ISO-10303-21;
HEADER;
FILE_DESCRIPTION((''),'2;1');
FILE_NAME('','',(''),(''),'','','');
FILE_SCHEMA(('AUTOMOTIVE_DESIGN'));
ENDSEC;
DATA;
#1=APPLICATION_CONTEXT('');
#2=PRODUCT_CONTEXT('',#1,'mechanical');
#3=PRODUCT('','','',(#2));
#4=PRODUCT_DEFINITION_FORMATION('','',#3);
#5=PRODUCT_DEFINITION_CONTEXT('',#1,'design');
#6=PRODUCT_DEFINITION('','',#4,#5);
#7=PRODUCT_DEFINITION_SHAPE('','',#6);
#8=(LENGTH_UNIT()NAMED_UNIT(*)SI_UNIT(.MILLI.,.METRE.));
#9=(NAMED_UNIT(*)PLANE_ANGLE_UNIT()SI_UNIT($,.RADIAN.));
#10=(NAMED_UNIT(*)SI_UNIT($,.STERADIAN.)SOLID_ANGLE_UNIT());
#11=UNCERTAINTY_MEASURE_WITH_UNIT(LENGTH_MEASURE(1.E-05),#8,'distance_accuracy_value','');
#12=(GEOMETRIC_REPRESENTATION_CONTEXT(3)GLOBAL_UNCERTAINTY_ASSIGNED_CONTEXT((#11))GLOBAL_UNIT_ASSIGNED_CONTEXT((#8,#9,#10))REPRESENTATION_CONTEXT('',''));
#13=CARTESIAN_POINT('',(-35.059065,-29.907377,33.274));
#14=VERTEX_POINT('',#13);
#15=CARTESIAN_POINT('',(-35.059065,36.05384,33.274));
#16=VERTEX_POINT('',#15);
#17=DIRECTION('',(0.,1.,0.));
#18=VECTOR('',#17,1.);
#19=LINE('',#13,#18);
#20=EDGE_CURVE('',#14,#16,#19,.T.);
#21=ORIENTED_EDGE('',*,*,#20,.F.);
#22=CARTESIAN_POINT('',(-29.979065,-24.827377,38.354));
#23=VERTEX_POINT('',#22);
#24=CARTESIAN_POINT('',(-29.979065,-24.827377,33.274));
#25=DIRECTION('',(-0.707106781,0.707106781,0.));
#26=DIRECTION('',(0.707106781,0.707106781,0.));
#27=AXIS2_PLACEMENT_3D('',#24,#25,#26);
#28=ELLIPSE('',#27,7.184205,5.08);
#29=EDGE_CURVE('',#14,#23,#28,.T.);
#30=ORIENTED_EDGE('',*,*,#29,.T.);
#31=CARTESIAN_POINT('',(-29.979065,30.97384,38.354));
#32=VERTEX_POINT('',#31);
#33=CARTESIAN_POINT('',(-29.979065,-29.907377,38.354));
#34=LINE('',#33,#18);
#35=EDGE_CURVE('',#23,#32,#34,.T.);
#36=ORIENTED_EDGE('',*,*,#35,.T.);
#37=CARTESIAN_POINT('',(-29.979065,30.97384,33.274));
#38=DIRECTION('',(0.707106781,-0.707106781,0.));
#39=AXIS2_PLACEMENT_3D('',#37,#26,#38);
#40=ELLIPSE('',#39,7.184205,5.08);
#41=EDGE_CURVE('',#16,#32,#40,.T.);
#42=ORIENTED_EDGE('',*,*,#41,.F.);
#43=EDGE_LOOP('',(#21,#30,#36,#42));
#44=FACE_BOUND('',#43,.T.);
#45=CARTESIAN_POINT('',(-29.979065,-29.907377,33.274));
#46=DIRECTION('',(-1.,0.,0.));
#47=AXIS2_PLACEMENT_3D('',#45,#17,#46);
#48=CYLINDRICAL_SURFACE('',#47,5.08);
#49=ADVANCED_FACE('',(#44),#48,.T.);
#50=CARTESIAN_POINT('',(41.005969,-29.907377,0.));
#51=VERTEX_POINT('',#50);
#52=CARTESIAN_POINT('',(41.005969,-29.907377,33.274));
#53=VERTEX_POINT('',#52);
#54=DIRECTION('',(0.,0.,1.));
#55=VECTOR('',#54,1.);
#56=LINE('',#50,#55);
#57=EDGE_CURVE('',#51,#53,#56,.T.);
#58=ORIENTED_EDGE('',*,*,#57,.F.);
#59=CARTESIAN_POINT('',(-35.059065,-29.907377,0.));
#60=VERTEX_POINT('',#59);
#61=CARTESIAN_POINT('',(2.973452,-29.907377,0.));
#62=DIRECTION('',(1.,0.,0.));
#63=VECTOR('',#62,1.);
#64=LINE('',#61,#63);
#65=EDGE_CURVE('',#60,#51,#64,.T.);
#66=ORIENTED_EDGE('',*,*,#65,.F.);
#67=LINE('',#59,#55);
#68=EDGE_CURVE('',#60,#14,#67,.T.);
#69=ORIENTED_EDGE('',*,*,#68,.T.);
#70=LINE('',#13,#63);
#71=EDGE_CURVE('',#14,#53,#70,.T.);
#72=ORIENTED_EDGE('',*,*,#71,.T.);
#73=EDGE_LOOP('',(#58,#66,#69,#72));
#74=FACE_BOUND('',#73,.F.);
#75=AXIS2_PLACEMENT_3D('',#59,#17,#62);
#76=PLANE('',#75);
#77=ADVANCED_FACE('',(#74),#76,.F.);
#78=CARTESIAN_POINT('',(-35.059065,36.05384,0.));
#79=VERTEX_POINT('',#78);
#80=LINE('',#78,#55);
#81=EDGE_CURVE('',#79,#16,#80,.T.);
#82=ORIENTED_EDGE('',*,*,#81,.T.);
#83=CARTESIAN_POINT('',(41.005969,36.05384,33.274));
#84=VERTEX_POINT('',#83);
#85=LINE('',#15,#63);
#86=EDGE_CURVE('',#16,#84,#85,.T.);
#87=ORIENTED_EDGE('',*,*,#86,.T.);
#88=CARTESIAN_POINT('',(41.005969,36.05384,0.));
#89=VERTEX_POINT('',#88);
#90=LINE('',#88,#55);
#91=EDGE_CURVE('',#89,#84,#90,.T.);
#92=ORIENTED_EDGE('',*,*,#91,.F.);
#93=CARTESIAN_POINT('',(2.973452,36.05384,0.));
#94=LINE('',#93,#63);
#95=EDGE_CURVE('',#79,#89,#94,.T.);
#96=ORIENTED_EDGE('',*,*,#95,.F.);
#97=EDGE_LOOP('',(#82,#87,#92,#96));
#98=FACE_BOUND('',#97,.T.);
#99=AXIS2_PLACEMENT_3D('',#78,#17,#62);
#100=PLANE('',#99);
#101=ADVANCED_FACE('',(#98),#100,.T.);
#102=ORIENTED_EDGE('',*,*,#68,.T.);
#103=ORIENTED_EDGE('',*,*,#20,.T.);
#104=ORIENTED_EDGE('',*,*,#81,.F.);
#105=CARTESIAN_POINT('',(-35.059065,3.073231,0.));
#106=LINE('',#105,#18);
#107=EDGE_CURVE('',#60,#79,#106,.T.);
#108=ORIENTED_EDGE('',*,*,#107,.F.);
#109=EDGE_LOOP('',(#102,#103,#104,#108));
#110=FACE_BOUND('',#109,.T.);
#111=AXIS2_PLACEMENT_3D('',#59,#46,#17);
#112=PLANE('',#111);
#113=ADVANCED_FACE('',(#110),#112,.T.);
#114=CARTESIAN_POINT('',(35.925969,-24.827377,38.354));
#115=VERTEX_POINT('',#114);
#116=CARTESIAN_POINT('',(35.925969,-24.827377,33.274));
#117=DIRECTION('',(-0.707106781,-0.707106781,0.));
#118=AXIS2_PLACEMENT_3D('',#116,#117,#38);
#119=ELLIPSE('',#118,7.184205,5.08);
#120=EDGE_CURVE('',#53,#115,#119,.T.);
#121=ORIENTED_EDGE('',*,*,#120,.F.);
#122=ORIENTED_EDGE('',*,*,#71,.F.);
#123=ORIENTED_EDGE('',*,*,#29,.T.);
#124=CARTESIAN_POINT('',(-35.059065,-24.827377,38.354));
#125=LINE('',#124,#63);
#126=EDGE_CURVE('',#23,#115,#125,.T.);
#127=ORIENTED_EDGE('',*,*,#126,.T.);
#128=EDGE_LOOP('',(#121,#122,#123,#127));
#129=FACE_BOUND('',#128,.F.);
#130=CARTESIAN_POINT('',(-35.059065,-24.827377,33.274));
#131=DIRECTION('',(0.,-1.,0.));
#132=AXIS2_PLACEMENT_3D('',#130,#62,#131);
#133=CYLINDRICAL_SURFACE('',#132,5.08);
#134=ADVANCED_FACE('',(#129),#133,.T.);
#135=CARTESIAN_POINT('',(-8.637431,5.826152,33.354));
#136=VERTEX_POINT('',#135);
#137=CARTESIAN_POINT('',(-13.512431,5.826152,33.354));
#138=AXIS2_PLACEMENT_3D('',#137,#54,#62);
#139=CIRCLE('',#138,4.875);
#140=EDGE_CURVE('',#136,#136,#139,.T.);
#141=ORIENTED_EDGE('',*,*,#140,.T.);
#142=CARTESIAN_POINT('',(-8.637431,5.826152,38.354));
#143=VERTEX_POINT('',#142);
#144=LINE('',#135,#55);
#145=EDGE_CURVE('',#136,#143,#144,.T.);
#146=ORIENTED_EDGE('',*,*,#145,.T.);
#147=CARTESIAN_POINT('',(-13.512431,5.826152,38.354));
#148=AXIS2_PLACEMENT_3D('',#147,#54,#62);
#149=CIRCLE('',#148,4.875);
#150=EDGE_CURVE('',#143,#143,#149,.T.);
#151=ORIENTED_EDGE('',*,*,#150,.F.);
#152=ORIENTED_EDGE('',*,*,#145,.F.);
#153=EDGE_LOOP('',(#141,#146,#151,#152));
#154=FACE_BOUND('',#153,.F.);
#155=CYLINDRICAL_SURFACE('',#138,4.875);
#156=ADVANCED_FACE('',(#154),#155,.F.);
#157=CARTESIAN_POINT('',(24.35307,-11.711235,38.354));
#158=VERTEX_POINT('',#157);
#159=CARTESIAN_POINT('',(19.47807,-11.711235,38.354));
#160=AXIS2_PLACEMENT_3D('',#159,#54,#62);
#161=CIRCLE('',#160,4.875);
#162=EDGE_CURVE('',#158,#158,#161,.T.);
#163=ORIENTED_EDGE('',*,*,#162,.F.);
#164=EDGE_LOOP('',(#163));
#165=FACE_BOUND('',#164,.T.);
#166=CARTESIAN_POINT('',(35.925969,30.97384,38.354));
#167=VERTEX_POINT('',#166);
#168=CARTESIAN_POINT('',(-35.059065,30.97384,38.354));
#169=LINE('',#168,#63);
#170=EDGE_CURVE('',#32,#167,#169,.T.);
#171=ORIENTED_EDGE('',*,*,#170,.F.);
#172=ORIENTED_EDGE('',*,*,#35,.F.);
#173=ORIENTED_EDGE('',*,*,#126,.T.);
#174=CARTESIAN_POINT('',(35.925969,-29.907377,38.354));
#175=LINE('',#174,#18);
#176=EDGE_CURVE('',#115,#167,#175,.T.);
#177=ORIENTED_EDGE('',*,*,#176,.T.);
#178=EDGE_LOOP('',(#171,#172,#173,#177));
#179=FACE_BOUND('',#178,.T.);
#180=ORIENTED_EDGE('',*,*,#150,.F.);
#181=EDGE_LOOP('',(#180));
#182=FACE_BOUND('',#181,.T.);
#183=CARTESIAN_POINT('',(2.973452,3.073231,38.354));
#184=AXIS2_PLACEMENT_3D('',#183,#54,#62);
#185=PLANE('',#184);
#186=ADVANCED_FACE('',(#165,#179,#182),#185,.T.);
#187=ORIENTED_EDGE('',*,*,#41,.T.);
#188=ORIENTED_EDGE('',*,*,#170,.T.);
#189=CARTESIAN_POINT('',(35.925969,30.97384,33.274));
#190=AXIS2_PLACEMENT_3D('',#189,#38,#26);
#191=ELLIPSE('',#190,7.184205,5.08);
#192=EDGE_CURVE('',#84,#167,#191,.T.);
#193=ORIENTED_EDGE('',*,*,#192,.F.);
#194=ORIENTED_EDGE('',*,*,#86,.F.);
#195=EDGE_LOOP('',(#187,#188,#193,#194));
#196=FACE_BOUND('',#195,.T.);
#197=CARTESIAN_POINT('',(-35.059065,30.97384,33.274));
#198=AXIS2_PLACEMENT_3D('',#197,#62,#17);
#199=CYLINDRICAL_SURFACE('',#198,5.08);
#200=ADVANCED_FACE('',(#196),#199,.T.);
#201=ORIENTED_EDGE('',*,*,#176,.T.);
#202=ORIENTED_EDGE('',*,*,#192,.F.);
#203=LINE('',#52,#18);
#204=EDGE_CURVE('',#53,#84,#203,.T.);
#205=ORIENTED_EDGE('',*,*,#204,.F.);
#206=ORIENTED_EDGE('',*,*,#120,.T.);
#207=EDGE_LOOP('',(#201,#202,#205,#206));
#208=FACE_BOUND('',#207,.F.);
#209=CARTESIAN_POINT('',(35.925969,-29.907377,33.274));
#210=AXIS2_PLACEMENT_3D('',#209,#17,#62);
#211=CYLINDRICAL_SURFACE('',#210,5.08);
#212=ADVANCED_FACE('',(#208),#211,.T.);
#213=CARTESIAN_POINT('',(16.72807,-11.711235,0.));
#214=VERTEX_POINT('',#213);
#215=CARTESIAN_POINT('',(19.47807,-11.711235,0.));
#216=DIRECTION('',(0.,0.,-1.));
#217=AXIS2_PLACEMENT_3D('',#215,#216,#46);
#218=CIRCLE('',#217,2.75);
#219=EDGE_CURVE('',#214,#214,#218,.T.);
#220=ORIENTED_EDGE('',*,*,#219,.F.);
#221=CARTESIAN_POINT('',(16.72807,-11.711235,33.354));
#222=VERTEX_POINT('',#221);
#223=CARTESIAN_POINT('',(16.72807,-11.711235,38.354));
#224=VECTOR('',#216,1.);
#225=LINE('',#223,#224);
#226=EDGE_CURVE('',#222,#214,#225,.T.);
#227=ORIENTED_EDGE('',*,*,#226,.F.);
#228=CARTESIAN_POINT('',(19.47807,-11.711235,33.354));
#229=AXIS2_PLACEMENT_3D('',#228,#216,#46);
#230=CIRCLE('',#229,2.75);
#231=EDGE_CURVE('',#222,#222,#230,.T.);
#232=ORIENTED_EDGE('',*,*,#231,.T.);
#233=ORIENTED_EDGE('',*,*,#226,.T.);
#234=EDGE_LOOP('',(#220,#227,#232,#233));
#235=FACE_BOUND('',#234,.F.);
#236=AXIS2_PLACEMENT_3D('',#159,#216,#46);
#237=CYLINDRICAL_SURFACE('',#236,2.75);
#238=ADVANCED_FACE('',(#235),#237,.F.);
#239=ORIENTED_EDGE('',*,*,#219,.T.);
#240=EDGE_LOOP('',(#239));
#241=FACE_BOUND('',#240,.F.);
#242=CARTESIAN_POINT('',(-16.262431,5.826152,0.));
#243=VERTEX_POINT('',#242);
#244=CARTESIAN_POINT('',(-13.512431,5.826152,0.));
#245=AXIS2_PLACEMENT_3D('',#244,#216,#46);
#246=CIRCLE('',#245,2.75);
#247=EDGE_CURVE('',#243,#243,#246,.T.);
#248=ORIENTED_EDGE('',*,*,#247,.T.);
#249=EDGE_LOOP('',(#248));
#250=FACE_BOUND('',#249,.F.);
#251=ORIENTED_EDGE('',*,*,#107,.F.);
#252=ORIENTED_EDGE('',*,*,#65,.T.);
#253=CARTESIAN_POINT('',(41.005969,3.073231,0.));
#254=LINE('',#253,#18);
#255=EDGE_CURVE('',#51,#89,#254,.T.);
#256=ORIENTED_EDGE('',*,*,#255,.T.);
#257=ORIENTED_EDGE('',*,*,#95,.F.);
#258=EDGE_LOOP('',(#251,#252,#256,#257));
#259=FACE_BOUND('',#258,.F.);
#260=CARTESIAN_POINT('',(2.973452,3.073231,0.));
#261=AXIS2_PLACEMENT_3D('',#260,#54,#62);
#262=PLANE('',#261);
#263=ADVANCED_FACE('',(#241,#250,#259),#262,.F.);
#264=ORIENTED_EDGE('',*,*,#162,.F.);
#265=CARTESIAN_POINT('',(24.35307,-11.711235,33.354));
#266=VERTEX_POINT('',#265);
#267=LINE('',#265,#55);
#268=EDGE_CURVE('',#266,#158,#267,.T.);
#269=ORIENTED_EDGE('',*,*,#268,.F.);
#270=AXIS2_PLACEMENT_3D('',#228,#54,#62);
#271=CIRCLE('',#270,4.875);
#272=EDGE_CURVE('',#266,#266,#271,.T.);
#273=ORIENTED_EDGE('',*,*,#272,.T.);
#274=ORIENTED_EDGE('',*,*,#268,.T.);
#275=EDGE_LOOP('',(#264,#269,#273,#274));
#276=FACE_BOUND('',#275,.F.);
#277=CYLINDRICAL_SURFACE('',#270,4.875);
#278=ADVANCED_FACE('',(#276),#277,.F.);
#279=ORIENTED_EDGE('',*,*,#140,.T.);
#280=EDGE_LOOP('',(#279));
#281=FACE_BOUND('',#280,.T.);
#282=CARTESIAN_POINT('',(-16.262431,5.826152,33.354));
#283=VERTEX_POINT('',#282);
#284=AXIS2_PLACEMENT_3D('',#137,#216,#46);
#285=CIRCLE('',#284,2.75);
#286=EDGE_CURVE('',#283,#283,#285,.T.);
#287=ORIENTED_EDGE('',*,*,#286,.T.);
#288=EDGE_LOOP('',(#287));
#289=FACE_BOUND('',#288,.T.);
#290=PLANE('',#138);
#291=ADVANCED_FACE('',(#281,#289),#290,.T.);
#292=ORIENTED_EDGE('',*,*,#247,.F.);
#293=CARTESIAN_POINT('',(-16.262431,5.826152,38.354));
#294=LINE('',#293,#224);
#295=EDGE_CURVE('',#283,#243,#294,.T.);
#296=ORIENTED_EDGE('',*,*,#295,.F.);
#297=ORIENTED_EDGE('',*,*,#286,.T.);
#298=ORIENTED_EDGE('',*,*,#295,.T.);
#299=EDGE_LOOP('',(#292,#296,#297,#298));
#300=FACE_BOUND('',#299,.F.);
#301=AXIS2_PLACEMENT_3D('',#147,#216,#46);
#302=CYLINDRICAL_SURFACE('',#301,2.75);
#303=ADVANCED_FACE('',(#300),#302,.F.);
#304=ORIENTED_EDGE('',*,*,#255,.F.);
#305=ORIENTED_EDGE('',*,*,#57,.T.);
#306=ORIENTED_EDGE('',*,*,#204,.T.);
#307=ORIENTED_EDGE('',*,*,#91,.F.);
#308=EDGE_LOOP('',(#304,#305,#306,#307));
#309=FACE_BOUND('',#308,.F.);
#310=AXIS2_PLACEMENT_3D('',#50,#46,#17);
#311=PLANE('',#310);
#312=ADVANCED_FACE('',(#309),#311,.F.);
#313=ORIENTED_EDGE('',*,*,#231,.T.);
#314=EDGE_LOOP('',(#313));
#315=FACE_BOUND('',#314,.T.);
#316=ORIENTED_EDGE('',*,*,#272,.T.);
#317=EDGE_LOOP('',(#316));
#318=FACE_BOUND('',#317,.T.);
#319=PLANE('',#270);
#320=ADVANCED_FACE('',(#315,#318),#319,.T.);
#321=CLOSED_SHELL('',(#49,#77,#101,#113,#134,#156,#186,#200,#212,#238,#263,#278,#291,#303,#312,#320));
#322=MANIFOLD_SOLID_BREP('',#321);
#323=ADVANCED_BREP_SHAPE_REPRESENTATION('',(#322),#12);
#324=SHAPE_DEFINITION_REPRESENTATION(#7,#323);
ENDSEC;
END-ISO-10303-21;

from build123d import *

# Parameters (mm, degrees)
F0_W           = 76.0650336742
F0_H           = 65.9612175077
F1_DEPTH       = 38.354
F2_R           = 5.08
F4_D           = 5.5
F4_CBORE_D     = 9.75
F4_CBORE_DEPTH = 5


with BuildPart() as f1:
    # F0 (on Top) → F1 (new body)
    with BuildSketch(Plane.XY):
        with Locations((2.9734522104, 3.0732313171)):
            Rectangle(F0_W, F0_H)
    extrude(amount=F1_DEPTH)

    # F2
    f2_edges = [f1.edges().sort_by_distance(p)[0] for p in [
        (2.973452, -29.907377, 38.354),
        (41.005969, 3.073231, 38.354),
        (2.973452, 36.05384, 38.354),
        (-35.059065, 3.073231, 38.354),
    ]]
    fillet(f2_edges, radius=F2_R)

    # F4 (through all)
    with Locations(Plane.XY.offset(38.354)):
        with Locations((-13.5124307126, 5.8261519298), (19.4780696183, -11.7112351581)):
            CounterBoreHole(F4_D / 2, F4_CBORE_D / 2, F4_CBORE_DEPTH)


solid = f1.part
